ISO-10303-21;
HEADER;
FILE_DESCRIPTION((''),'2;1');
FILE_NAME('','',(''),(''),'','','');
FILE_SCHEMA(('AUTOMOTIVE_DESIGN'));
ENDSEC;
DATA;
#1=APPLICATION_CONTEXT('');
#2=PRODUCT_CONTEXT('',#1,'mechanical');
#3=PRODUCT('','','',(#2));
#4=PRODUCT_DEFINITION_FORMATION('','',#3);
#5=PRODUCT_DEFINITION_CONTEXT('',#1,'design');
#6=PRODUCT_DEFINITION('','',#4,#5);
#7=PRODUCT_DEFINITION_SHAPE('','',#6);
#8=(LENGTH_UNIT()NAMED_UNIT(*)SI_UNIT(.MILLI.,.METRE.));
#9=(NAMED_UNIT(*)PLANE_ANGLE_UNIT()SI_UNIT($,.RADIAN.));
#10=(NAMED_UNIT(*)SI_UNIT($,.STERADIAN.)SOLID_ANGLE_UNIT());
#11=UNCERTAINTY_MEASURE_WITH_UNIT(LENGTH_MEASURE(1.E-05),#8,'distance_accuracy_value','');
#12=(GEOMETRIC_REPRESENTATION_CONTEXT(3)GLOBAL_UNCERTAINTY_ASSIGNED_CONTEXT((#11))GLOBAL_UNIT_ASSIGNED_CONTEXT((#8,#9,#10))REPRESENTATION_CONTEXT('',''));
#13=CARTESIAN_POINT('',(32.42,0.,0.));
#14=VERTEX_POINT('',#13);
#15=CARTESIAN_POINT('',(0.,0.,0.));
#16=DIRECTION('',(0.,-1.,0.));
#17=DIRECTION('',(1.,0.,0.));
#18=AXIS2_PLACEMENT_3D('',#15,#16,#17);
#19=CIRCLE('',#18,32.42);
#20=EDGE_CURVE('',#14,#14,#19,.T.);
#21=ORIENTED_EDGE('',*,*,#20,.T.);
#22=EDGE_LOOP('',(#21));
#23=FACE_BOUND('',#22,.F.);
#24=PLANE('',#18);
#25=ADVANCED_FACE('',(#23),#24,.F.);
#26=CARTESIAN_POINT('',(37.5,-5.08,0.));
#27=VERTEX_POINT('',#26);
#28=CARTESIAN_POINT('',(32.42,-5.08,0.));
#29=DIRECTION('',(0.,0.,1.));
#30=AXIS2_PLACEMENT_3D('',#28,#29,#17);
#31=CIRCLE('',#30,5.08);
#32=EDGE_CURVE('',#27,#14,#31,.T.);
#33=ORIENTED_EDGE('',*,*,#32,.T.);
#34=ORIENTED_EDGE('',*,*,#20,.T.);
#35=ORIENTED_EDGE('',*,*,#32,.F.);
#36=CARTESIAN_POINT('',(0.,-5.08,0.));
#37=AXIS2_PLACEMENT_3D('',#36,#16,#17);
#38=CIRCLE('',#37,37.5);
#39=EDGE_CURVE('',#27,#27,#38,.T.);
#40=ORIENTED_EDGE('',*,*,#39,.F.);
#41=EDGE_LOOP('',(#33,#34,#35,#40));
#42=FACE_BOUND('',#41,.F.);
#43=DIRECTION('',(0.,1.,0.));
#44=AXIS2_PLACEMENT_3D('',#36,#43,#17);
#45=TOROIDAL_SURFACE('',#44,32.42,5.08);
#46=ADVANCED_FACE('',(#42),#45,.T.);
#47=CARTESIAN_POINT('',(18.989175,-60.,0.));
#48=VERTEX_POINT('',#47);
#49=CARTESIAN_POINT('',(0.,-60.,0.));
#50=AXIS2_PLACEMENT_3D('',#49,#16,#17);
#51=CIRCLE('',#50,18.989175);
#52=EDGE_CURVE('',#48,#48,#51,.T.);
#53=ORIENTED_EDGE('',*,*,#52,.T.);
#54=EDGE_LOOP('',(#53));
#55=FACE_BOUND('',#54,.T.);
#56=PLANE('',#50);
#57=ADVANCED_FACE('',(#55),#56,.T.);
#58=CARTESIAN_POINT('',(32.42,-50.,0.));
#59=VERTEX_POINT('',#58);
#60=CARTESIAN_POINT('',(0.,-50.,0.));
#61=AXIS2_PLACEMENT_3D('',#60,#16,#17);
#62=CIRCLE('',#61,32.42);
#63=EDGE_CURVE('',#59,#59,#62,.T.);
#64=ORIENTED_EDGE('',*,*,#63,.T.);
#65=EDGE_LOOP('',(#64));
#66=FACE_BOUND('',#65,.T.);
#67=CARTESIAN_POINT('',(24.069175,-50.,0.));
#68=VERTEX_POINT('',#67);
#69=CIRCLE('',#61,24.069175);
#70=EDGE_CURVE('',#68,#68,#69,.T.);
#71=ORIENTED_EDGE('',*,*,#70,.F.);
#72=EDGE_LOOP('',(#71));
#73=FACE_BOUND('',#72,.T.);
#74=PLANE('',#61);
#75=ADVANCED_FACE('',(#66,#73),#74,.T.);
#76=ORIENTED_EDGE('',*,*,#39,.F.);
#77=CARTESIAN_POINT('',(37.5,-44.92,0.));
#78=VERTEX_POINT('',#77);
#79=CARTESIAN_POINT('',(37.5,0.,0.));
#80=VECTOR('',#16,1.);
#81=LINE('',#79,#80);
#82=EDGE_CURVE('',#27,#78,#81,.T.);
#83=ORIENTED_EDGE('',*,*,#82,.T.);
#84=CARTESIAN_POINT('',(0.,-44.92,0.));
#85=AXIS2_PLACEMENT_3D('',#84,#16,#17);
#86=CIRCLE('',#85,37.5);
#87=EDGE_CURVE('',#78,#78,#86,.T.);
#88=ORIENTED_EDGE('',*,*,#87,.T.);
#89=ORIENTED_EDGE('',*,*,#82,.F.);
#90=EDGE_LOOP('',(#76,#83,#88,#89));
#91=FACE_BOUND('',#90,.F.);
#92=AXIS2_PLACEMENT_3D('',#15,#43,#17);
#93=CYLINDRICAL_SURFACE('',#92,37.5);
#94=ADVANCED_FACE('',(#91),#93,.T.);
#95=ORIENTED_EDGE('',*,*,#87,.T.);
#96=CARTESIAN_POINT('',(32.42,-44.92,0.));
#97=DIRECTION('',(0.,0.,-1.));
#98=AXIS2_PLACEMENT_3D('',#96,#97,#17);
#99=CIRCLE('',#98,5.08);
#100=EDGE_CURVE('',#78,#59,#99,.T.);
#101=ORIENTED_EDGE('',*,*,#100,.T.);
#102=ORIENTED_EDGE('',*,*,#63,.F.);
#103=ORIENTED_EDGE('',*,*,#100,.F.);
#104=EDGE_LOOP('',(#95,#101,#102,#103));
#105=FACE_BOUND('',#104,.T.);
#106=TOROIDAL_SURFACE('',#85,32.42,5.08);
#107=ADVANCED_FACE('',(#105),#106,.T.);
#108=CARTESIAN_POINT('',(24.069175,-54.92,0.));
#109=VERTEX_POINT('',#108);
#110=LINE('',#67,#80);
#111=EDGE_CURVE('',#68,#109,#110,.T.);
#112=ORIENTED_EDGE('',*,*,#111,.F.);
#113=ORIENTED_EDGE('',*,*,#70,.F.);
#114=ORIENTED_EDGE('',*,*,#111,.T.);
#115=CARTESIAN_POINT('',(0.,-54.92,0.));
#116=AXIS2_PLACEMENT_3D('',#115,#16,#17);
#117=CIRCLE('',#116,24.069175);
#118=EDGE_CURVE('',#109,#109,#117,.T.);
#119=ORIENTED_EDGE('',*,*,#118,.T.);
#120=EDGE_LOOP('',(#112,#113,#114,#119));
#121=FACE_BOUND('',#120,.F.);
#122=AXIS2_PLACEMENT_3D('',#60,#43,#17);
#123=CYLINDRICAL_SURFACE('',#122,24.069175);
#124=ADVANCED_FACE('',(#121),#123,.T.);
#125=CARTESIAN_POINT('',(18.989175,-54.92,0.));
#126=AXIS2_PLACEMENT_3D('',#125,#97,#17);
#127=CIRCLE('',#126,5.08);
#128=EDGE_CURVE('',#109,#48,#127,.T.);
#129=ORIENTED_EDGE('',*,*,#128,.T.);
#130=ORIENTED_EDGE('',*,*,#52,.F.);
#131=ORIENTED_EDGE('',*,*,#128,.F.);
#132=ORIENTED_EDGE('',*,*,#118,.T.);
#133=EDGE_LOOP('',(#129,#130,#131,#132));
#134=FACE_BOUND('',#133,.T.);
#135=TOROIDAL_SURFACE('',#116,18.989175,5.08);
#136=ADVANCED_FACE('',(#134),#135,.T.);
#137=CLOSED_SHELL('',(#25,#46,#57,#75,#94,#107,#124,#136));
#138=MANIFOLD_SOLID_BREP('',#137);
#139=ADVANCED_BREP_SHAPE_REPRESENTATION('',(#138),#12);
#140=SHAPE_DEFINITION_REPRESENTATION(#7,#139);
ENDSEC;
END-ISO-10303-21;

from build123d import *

# Parameters (mm, degrees)
F0_R     = 37.5
F1_DEPTH = 50
F2_R     = 24.069175
F3_DEPTH = 10
F4_R     = 5.08
F5_R     = 5.08


with BuildPart() as f1:
    # F0 (on Front) → F1 (new body)
    with BuildSketch(Plane.XZ):
        Circle(F0_R)
    extrude(amount=F1_DEPTH)

    # F2 (on face) → F3 (join)
    with BuildSketch(Plane.XZ.offset(50)):
        Circle(F2_R)
    extrude(amount=F3_DEPTH)

    # F4
    f4_edges = [f1.edges().sort_by_distance(p)[0] for p in [
        (37.5, -25, 0),
        (-37.5, 0, 0),
        (-37.5, -50, 0),
    ]]
    fillet(f4_edges, radius=F4_R)

    # F5
    f5_edges = [f1.edges().sort_by_distance(p)[0] for p in [
        (-24.069175, -60, 0),
    ]]
    fillet(f5_edges, radius=F5_R)


solid = f1.part
